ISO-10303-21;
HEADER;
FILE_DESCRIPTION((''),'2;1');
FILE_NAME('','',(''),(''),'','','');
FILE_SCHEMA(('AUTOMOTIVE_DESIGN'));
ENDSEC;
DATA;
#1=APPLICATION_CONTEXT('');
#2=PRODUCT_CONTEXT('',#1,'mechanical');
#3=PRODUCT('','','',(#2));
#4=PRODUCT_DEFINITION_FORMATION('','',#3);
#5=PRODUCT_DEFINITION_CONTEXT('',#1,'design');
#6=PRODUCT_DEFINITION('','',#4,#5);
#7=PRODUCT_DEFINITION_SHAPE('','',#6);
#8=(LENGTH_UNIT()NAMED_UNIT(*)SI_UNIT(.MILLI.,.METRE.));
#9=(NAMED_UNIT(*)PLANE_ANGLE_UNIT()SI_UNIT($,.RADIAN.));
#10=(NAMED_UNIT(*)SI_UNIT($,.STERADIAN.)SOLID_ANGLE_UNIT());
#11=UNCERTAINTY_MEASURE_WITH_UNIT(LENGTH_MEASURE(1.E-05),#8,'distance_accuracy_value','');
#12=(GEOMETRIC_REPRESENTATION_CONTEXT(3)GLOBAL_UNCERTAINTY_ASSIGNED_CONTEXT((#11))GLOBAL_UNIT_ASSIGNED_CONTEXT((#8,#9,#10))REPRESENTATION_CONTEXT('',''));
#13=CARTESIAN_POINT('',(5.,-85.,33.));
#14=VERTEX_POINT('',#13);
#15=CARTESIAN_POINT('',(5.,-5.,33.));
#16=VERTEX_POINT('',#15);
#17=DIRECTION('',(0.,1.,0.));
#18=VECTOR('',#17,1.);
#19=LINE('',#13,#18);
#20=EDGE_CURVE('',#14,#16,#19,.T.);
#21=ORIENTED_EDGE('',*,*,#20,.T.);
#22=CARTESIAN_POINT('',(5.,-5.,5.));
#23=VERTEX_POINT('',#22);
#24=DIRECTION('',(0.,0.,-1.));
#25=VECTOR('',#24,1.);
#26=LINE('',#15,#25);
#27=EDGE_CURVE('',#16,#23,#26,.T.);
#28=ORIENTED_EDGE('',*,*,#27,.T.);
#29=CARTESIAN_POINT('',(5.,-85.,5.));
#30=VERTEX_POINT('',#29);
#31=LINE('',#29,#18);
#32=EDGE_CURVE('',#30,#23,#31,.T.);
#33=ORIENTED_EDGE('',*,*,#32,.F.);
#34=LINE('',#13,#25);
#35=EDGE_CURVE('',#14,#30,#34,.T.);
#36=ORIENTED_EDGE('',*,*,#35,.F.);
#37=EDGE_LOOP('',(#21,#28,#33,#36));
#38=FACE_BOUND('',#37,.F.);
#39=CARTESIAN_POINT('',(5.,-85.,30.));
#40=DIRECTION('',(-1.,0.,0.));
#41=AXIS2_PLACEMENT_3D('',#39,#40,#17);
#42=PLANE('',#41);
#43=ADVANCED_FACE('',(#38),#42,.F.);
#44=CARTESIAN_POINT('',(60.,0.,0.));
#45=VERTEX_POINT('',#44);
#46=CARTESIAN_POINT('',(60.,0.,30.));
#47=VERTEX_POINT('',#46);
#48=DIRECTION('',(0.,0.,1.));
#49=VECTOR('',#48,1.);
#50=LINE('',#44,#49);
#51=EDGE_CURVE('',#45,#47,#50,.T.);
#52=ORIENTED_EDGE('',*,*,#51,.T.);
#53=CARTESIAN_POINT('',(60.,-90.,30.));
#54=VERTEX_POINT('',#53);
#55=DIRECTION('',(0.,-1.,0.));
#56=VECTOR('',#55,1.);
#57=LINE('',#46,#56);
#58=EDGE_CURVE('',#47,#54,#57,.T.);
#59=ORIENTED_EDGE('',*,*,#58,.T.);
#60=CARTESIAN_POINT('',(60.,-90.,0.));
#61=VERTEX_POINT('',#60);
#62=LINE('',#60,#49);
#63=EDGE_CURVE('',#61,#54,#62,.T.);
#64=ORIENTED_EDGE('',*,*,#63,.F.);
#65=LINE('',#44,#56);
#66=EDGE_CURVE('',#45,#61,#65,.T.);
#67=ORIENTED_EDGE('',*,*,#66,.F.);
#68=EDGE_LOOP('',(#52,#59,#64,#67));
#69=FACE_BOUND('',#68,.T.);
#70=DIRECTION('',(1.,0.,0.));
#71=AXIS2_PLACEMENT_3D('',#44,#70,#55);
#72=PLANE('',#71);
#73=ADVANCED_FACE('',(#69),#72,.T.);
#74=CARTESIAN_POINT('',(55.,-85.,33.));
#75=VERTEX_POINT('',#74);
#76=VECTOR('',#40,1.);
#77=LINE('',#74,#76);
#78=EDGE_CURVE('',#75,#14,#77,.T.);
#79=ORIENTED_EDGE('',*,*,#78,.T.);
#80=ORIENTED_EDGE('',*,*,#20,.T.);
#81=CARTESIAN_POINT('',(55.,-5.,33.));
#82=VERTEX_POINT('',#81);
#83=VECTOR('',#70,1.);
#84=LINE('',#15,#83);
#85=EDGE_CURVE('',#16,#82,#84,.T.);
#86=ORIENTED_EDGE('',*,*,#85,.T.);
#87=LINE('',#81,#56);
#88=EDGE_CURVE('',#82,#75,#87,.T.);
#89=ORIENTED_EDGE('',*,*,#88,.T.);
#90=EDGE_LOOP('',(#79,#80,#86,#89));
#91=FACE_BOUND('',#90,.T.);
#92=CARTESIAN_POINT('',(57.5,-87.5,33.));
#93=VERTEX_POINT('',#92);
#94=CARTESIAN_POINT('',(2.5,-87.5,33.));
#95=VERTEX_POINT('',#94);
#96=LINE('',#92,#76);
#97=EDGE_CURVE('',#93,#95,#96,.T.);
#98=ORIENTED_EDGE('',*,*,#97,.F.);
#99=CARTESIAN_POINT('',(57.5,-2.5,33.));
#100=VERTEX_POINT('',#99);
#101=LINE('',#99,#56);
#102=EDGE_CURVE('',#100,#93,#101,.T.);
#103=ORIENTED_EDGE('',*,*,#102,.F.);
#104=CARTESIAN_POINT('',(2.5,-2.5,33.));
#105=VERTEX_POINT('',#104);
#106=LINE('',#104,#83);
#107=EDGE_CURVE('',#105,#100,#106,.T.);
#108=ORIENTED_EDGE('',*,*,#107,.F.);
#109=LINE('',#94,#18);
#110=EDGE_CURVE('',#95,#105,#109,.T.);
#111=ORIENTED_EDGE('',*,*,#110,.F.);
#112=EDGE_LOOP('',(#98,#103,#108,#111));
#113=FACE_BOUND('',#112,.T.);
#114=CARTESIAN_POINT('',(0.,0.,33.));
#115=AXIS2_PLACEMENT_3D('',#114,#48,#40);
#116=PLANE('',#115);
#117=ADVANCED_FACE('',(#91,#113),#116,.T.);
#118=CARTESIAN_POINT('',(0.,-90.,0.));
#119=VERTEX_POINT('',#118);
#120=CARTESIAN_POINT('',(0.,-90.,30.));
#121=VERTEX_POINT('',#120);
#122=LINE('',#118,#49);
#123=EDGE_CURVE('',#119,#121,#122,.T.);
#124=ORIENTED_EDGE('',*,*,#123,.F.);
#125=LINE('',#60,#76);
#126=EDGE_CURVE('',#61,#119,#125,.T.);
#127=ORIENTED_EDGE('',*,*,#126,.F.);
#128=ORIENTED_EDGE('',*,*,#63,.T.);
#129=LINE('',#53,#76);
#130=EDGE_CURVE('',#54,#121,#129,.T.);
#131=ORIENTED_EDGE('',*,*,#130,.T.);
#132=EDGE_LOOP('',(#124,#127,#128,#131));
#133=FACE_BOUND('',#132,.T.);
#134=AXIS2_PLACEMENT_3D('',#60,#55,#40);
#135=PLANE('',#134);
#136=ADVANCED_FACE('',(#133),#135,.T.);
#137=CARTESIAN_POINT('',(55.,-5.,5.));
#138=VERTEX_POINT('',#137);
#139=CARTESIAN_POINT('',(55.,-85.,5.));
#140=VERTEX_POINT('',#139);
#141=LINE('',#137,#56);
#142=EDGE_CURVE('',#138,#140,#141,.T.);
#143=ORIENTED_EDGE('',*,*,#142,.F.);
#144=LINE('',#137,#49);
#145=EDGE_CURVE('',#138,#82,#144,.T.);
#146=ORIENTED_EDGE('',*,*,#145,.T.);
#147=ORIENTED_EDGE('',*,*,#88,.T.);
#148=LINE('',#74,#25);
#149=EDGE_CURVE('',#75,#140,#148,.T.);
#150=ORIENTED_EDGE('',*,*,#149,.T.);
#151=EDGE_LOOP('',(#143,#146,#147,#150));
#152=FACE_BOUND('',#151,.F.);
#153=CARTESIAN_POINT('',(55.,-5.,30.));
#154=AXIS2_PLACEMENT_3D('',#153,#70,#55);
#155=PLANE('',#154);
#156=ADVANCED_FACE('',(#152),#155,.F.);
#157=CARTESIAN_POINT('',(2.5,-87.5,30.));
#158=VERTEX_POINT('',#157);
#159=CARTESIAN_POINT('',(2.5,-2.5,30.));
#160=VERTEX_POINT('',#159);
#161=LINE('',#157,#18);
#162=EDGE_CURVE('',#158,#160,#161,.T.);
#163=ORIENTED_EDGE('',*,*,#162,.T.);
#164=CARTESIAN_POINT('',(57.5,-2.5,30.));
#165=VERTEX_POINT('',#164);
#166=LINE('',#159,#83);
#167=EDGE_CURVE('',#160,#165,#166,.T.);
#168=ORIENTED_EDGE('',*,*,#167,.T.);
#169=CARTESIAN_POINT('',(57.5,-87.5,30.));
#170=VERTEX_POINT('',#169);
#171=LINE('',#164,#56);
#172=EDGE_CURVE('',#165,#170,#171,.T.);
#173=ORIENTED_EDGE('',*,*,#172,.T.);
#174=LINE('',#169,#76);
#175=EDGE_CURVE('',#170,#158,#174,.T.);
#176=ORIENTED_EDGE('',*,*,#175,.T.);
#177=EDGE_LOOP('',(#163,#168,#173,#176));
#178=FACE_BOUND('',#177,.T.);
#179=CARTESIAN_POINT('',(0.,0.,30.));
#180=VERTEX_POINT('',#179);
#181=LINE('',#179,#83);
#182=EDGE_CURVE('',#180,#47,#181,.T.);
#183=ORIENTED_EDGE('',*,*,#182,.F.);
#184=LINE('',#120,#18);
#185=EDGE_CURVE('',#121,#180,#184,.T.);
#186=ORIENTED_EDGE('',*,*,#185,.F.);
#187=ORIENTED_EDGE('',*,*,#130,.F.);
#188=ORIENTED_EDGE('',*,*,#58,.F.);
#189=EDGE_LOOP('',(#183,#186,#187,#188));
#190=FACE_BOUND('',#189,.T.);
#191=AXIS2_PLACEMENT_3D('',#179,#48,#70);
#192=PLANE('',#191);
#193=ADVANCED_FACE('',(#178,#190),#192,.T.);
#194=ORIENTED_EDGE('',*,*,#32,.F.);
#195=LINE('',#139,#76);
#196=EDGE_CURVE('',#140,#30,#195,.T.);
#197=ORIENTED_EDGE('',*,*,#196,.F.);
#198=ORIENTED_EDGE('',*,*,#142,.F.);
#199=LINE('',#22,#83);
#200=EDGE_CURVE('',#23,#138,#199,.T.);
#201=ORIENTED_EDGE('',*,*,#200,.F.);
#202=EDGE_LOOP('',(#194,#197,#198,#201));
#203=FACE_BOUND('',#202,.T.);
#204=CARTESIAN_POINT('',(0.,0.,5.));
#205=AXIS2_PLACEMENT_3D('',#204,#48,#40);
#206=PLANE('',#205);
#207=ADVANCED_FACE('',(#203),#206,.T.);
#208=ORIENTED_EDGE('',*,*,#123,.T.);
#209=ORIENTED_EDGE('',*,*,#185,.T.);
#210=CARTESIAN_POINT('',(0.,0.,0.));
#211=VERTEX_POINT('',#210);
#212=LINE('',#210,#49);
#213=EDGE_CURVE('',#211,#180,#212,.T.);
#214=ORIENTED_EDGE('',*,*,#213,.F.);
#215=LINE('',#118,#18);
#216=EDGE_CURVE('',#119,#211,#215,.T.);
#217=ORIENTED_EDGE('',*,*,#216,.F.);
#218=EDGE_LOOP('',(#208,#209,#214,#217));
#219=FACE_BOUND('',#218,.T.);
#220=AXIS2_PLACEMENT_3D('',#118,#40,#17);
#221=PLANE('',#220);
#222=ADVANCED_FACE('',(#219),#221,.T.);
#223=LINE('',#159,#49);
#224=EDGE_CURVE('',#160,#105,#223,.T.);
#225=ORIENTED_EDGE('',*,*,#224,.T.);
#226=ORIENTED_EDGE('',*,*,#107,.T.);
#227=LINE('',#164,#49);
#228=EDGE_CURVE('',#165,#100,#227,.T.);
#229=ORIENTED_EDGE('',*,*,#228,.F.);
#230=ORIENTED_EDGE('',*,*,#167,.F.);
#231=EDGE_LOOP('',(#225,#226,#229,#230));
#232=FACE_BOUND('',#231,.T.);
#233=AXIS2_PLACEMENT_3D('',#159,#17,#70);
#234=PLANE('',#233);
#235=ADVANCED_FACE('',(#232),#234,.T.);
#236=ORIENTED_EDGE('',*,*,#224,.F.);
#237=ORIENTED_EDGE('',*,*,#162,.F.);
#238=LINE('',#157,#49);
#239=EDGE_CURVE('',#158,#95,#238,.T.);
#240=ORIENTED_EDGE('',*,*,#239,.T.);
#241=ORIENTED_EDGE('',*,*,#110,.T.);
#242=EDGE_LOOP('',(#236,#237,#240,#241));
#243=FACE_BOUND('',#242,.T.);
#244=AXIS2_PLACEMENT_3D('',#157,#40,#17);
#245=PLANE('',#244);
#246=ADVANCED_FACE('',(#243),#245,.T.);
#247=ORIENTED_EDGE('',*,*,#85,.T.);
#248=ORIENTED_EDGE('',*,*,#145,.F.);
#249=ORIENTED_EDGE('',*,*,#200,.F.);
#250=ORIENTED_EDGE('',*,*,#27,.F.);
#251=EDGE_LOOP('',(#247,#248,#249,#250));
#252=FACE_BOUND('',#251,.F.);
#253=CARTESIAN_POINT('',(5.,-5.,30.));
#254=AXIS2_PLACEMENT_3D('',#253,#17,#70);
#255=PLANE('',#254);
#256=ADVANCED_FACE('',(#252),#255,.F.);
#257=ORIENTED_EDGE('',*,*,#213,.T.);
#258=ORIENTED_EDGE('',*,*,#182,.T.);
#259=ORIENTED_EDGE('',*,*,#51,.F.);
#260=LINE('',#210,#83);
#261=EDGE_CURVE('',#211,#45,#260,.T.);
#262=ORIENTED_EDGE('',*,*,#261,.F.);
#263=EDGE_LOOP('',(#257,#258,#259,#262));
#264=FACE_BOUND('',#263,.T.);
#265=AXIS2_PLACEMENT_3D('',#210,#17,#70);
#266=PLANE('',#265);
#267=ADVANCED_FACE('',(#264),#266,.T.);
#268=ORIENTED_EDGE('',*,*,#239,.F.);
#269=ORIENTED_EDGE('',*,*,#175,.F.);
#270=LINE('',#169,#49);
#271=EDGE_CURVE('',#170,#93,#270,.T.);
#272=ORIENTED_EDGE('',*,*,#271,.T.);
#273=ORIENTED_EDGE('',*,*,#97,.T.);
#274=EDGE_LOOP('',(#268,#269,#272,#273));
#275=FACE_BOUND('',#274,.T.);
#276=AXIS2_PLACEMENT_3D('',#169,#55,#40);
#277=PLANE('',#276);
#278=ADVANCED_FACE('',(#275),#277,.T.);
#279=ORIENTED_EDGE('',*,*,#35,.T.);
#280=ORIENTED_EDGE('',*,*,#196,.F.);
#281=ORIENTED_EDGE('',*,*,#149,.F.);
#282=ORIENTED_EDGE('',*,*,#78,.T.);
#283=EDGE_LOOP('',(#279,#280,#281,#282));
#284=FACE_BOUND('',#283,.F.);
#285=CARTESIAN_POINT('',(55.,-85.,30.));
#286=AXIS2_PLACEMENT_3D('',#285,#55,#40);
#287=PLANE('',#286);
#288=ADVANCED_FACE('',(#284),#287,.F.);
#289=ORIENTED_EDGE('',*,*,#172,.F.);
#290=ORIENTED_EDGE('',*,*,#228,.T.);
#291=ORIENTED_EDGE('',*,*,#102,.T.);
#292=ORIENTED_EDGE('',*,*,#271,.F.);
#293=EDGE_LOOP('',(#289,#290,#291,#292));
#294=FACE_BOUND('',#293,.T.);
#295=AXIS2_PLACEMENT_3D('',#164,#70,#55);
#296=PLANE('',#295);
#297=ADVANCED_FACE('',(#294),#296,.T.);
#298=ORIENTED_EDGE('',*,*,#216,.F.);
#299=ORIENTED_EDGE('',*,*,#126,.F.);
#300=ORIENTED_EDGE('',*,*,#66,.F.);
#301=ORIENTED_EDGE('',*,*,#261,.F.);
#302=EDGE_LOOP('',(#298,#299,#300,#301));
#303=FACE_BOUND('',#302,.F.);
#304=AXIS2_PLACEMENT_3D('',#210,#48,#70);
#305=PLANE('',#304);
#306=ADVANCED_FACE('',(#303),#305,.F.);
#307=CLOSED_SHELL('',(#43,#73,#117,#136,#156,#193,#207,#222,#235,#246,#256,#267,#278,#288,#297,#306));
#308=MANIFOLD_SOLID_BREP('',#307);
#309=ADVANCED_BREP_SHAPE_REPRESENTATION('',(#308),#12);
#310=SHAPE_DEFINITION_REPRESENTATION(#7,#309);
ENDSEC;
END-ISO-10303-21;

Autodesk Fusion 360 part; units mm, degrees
sketch "草图1" plane through (0, 0, 0) normal (0, 0, 1) x (1, 0, 0)
  line L0 (0, 0) -> (60, 0)
  line L1 (60, 0) -> (60, -90)
  line L2 (60, -90) -> (0, -90)
  line L3 (0, -90) -> (0, 0)
  dimension "d1" = 60
  dimension "d2" = 90
extrude "拉伸1" add sketch "草图1" along normal blind 30
sketch "草图2" plane through (0, 0, 30) normal (0, 0, 1) x (-1, 0, 0)
  line L0 (0, 90) -> (-60, 90)
  line L1 (-60, 90) -> (-60, 0)
  line L2 (-60, 0) -> (0, 0)
  line L3 (0, 0) -> (0, 90)
  line L4 (-5, 5) -> (-55, 5)
  line L5 (-55, 5) -> (-55, 85)
  line L6 (-55, 85) -> (-5, 85)
  line L7 (-5, 85) -> (-5, 5)
  dimension "d5" = 50
  dimension "d6" = 80
  dimension "d7" = 55
  dimension "d8" = 5
extrude "拉伸2" cut sketch "草图2" against normal blind 25 contours L4 L5 L6 L7
sketch "草图3" plane through (0, -90, 0) normal (0, -1, 0) x (1, 0, 0)
  line L0 (0, 0) -> (60, 0)
  line L1 (60, 0) -> (60, 30)
  line L2 (60, 30) -> (0, 30)
  line L3 (0, 30) -> (0, 0)
sketch "草图4" plane through (0, 0, 5) normal (0, 0, 1) x (-1, 0, 0)
  line L0 (-5, 85) -> (-55, 85)
  line L1 (-55, 85) -> (-55, 5)
  line L2 (-55, 5) -> (-5, 5)
  line L3 (-5, 5) -> (-5, 85)
  circle A0 centre (-15.0278, 14.2331) radius 0.5
sketch "草图5" plane through (0, 0, 30) normal (0, 0, 1) x (-1, 0, 0)
  line L0 (-55, 5) -> (-55, 85)
  line L1 (-55, 85) -> (-5, 85)
  line L2 (-5, 85) -> (-5, 5)
  line L3 (-5, 5) -> (-55, 5)
  line L4 (0, 90) -> (-60, 90)
  line L5 (-60, 90) -> (-60, 0)
  line L6 (-60, 0) -> (0, 0)
  line L7 (0, 0) -> (0, 90)
  line L8 (-2.5, 2.5) -> (-57.5, 2.5)
  line L9 (-57.5, 2.5) -> (-57.5, 87.5)
  line L10 (-57.5, 87.5) -> (-2.5, 87.5)
  line L11 (-2.5, 87.5) -> (-2.5, 2.5)
  dimension "d12" = 55
  dimension "d13" = 85
  dimension "d14" = 2.5
  dimension "d15" = 87.5
extrude "拉伸3" add sketch "草图5" along normal blind 3 contours L8 L9 L10 L11
